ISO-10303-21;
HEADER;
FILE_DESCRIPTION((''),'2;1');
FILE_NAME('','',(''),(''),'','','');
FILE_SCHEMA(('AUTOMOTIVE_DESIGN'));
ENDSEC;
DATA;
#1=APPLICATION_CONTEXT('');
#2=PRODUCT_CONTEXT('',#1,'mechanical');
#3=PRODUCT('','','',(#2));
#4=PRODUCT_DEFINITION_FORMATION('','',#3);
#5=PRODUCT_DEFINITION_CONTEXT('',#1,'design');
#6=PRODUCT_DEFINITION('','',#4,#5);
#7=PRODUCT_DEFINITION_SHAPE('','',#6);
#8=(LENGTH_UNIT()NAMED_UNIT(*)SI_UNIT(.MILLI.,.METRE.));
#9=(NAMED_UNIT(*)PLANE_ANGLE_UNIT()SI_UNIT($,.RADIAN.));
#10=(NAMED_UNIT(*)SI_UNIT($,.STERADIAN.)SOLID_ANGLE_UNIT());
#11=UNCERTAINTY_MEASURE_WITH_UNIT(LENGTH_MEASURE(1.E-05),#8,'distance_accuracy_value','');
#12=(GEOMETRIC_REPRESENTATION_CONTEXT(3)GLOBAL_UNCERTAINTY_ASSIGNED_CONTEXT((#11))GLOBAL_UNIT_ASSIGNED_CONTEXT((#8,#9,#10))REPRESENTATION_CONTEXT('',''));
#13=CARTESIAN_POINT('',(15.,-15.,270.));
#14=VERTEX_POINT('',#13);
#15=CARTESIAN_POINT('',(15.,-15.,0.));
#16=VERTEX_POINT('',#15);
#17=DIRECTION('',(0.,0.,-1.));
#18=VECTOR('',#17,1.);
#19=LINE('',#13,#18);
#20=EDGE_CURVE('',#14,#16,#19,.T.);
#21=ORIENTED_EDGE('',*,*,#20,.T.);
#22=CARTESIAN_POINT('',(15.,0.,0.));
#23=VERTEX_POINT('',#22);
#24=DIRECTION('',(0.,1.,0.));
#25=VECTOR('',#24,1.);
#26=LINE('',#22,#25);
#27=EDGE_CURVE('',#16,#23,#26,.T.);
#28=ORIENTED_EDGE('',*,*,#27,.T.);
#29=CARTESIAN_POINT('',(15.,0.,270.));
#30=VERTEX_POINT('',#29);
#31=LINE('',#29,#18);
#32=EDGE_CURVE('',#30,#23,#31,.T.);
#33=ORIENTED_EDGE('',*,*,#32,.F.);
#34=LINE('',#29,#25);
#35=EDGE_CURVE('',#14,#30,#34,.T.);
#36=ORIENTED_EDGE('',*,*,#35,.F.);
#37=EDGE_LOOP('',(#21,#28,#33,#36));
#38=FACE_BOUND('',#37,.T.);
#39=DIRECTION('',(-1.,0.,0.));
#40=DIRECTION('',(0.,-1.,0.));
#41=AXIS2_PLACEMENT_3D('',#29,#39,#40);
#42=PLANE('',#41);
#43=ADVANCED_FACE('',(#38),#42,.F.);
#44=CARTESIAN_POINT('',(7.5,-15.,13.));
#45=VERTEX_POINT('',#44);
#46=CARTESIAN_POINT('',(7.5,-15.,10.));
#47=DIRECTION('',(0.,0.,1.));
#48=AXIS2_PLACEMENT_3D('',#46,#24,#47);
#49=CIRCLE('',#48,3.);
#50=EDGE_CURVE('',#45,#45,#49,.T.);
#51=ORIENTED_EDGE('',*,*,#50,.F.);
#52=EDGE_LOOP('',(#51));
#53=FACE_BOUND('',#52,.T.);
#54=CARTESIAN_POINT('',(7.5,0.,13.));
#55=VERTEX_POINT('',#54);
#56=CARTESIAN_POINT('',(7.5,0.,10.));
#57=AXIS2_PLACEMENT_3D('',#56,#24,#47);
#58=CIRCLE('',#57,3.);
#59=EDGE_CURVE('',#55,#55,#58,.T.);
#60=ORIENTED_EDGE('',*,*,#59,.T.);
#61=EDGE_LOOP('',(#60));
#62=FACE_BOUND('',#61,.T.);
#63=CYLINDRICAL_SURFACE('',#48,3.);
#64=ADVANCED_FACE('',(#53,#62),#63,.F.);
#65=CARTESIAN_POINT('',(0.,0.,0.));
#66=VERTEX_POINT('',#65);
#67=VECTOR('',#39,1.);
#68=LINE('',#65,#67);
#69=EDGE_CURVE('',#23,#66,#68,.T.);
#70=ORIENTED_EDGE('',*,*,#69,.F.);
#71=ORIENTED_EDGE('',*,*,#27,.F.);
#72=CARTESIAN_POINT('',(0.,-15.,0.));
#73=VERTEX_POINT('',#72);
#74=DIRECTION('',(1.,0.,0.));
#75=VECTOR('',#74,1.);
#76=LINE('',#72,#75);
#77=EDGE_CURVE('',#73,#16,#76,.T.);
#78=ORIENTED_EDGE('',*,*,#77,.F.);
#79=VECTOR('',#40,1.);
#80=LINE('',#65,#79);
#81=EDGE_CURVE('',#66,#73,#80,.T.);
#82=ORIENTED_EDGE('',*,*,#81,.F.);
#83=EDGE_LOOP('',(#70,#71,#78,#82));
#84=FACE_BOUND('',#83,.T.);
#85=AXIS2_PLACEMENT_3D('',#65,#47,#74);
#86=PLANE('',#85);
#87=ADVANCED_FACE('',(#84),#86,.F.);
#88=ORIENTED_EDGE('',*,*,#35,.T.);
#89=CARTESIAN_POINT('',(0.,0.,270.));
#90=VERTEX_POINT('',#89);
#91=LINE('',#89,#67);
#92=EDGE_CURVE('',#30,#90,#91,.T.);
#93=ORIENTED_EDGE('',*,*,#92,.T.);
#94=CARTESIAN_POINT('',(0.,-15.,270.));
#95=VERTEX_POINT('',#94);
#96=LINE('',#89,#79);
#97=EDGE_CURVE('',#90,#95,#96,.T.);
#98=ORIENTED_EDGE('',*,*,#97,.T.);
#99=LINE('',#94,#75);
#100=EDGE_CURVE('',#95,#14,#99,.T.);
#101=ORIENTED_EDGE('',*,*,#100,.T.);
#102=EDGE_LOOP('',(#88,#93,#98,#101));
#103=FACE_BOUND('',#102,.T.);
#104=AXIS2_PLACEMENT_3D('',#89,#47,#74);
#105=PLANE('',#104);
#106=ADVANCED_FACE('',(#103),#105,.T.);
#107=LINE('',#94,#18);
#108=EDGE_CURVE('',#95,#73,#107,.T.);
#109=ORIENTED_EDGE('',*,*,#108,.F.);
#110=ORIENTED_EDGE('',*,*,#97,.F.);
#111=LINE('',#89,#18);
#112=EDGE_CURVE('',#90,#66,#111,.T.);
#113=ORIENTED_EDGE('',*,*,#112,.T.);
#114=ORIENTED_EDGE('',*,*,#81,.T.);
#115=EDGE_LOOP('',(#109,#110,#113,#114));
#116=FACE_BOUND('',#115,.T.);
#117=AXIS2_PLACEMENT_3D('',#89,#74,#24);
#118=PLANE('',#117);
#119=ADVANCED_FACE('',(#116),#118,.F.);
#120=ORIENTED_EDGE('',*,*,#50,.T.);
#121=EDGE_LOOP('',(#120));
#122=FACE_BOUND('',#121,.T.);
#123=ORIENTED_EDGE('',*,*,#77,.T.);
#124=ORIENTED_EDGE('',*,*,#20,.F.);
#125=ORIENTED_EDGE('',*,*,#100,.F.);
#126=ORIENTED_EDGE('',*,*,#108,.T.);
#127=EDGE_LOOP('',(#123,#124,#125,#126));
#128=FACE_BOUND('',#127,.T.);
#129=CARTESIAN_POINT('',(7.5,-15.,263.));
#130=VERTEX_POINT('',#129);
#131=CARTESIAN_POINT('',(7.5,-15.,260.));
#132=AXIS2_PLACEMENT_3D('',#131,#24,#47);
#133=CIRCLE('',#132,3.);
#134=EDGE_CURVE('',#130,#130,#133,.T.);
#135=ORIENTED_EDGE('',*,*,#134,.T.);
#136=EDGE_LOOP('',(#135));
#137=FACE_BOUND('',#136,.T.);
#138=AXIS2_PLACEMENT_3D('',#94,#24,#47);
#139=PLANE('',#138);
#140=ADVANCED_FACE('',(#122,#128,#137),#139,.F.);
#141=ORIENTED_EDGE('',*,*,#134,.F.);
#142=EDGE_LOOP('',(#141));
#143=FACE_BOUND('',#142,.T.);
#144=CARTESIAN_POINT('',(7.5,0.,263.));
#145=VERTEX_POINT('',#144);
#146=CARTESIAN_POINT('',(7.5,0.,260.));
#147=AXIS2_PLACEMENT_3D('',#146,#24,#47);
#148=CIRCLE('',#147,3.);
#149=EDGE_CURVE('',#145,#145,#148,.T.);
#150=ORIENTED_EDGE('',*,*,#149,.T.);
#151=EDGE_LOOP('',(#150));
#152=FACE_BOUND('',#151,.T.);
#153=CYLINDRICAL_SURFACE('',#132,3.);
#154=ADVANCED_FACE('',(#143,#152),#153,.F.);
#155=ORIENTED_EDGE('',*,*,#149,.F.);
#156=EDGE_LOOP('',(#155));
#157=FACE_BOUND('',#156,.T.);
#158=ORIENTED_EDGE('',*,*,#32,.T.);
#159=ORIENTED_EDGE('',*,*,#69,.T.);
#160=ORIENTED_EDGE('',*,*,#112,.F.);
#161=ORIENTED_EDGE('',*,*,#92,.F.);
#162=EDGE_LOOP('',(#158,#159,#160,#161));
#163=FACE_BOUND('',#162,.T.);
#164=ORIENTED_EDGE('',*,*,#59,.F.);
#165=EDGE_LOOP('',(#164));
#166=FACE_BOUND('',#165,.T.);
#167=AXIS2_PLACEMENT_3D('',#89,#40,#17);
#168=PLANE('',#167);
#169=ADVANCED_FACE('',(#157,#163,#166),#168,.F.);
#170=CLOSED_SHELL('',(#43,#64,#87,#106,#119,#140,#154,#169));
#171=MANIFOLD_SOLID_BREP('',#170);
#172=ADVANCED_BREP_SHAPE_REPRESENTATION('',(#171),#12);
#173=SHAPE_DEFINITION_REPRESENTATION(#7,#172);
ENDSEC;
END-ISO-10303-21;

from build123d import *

# Parameters (mm, degrees)
SKETCH_1_W          = 15
SKETCH_1_H          = 15
EXTRUDE_1_DEPTH     = 270
SKETCH_2_R          = 3
CUT_EXTRUDE_1_DEPTH = 271.832051279


with BuildPart() as part:
    # 草图1 → 凸台-拉伸1 (new body)
    with BuildSketch(Plane.XY):
        with Locations((7.5, -7.5)):
            Rectangle(SKETCH_1_W, SKETCH_1_H)
    extrude(amount=EXTRUDE_1_DEPTH)

    # 草图2 → 切除-拉伸1 (cut, through all)
    with BuildSketch(Plane(origin=(0, 0, 0), x_dir=(1, 0, 0), z_dir=(0, 1, 0))):
        with Locations(Location((7.5, -10, 0), (0, 0, 270))):
            Circle(SKETCH_2_R)
        with Locations(Location((7.5, -260, 0), (0, 0, 270))):
            Circle(SKETCH_2_R)
    extrude(amount=-CUT_EXTRUDE_1_DEPTH, mode=Mode.SUBTRACT)


solid = part.part
